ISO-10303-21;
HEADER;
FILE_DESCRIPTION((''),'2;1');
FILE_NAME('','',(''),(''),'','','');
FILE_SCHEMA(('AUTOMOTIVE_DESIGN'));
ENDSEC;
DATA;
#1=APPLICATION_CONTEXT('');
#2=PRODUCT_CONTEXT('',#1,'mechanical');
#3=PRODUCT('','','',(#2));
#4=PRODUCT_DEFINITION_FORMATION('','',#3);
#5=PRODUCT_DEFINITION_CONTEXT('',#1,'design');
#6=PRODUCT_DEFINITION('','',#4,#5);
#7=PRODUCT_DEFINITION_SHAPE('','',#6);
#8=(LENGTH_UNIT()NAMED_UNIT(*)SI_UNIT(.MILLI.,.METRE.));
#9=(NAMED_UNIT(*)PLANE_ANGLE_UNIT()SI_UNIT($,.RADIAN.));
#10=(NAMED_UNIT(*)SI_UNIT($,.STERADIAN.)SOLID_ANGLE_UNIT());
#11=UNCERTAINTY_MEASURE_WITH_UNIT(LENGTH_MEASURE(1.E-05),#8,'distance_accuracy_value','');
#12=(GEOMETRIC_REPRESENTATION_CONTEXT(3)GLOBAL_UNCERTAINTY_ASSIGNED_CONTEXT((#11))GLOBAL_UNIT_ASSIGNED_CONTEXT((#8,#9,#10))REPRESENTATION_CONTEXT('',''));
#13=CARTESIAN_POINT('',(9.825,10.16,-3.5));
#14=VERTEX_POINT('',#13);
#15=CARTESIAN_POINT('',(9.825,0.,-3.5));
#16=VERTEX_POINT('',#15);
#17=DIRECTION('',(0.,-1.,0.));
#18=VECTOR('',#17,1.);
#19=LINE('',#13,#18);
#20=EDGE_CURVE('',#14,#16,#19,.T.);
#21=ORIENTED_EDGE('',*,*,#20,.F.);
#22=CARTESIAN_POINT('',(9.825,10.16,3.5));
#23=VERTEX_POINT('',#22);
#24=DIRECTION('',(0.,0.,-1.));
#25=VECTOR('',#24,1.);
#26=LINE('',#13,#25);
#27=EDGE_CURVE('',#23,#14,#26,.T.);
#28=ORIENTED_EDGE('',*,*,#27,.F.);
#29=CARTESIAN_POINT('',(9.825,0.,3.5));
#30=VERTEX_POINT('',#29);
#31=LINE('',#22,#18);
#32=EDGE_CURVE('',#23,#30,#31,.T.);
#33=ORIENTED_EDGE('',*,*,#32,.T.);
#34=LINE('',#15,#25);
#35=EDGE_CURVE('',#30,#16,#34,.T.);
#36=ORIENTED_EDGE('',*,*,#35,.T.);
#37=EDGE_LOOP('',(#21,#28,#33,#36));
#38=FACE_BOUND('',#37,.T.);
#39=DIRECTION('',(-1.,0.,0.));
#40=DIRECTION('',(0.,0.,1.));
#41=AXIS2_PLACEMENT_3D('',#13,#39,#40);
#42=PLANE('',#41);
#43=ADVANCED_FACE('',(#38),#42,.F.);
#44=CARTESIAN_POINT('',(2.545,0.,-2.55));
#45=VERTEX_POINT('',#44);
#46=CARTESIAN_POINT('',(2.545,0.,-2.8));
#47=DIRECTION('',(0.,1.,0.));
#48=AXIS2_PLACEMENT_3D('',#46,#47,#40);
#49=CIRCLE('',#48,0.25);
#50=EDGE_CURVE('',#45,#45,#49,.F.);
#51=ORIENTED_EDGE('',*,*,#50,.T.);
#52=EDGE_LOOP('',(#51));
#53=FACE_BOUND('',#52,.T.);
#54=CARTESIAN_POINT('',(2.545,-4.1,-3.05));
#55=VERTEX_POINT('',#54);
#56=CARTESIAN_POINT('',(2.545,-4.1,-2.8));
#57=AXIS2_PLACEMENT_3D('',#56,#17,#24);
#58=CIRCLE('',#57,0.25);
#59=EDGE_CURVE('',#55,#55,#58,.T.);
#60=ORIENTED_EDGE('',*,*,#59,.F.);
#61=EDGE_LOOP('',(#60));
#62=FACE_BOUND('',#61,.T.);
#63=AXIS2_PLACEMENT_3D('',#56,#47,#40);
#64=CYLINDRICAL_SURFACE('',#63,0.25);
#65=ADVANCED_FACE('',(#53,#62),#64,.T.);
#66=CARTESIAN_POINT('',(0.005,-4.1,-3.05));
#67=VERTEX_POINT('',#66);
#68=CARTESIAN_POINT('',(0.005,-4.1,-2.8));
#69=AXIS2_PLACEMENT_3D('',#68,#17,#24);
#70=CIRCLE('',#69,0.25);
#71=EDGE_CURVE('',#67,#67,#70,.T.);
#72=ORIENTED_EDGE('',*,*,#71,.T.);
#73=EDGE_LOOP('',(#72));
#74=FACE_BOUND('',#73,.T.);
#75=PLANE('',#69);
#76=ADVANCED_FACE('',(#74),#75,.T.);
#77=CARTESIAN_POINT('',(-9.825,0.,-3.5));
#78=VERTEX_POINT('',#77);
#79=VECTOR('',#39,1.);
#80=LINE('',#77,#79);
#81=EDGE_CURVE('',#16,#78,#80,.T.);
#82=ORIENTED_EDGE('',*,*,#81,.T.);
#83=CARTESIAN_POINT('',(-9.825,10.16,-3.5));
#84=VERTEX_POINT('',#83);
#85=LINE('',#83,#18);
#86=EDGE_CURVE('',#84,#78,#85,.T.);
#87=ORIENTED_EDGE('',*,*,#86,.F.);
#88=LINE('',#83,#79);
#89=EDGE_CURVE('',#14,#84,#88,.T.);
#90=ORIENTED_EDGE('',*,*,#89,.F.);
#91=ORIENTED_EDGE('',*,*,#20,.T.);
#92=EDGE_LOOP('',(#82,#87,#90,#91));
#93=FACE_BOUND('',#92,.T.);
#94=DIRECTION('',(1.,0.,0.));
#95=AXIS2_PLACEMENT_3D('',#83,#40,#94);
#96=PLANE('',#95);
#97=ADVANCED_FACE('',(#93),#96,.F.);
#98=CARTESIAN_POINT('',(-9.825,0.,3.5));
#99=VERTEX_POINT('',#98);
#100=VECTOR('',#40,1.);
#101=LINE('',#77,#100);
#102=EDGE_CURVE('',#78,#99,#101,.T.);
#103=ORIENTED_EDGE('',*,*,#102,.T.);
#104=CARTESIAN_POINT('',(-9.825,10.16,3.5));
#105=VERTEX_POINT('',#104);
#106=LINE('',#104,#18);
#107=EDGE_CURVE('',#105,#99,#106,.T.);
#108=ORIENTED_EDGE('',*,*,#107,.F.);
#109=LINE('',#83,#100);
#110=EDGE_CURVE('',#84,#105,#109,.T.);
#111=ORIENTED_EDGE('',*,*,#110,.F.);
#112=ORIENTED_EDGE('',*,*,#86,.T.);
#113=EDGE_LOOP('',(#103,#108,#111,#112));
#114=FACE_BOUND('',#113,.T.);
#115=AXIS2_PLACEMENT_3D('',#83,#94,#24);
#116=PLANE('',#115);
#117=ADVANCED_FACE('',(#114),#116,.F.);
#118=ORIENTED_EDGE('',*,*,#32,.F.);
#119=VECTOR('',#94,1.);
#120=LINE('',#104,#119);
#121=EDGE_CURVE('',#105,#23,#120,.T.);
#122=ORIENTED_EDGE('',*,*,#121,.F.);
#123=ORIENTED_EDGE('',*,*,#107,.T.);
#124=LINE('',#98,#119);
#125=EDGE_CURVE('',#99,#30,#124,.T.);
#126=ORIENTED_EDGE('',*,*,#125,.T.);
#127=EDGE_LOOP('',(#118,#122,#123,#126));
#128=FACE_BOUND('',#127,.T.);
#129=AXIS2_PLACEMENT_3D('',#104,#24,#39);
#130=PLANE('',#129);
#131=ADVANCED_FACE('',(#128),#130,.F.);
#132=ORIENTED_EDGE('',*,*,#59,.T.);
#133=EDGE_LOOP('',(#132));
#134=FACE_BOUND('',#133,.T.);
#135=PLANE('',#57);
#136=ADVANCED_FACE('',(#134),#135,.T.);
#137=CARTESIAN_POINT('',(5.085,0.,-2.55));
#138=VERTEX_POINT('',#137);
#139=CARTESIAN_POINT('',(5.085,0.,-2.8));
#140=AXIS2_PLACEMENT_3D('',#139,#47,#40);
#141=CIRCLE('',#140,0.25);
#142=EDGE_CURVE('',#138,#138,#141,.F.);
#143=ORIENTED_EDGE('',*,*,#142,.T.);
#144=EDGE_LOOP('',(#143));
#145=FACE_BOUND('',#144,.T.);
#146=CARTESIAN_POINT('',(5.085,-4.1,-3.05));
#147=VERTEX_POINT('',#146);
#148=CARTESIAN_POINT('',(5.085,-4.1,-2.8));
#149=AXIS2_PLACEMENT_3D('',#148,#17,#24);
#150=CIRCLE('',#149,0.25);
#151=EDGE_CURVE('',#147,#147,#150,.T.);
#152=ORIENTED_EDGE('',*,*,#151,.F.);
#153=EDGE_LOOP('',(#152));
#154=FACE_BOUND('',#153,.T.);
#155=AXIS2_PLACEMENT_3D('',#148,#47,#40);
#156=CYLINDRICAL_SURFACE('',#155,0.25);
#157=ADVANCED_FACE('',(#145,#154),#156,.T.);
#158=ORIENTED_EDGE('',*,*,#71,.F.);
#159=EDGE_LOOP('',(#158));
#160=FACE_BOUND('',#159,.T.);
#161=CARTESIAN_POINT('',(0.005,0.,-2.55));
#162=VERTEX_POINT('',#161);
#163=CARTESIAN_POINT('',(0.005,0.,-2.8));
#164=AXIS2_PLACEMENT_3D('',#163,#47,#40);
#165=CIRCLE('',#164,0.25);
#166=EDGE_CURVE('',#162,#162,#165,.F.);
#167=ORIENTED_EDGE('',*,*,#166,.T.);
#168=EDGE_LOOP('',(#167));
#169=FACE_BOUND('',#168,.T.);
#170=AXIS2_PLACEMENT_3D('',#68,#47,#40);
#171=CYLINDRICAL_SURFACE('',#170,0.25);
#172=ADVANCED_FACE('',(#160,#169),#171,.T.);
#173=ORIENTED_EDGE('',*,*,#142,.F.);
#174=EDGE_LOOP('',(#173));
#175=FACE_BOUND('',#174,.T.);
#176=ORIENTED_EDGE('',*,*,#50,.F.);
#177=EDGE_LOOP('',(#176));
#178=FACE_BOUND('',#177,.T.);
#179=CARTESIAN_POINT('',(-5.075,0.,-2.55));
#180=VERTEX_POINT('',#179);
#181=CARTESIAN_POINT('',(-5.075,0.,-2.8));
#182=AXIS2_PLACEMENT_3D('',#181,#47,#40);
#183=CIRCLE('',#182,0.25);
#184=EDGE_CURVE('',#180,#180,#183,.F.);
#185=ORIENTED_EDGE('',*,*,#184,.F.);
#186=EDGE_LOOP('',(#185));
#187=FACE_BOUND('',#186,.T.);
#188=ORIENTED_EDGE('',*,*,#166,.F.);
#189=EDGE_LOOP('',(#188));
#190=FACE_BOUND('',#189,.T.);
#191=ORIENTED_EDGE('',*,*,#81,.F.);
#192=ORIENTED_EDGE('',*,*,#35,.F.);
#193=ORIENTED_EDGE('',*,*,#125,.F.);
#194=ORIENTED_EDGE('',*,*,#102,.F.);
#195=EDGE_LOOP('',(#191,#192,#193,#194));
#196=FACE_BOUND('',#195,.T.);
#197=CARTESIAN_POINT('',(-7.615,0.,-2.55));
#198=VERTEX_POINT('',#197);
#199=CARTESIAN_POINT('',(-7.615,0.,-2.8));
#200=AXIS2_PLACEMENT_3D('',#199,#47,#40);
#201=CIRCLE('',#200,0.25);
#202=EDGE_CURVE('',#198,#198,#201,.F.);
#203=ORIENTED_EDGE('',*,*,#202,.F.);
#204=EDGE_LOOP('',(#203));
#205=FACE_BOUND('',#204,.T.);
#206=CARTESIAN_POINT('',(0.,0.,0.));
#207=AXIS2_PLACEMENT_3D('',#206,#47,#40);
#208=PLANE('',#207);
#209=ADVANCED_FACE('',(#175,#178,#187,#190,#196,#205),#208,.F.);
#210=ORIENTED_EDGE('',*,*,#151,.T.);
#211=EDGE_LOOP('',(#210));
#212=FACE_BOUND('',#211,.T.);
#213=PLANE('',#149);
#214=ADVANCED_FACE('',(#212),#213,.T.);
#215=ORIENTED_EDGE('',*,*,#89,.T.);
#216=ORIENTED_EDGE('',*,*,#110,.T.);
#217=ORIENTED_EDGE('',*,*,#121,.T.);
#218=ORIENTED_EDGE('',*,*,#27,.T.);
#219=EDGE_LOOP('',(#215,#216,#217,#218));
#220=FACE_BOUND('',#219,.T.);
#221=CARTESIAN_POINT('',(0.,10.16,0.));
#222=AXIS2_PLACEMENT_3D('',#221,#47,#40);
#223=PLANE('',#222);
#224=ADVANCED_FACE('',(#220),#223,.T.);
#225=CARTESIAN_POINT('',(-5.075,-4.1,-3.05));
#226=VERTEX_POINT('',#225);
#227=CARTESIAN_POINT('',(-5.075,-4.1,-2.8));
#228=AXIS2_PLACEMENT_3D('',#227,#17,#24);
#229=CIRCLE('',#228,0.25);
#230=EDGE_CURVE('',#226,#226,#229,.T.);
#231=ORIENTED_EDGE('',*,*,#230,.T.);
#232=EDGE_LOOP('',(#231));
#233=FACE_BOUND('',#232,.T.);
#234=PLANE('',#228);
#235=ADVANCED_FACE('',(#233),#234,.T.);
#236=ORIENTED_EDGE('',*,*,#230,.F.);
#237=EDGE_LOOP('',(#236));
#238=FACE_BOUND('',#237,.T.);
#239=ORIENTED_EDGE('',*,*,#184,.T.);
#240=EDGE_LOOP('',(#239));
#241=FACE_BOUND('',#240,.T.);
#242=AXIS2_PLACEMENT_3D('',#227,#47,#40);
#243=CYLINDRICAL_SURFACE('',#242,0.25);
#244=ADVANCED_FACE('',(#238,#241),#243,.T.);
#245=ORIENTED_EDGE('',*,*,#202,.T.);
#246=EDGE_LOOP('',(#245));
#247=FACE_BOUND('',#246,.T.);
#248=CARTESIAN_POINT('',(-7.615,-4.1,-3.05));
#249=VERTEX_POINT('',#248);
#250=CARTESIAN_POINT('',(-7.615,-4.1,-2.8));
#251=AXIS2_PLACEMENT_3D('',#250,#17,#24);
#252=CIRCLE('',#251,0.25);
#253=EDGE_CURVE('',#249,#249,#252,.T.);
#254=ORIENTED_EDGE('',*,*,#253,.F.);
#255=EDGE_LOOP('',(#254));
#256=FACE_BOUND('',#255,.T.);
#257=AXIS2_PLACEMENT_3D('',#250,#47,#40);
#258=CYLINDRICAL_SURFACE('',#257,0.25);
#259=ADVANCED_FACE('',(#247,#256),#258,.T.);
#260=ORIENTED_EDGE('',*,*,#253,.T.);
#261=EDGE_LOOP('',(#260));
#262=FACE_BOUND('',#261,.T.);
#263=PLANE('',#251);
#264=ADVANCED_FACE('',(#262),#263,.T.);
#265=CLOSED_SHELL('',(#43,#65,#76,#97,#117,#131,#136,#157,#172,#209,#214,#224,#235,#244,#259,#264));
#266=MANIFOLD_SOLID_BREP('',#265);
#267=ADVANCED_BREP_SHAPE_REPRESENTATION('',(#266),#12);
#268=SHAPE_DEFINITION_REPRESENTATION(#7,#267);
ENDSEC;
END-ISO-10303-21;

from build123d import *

# Parameters (mm, degrees)
SKETCH1_W           = 19.65
SKETCH1_H           = 7
BOSS_EXTRUDE1_DEPTH = 10.16
SKETCH2_R           = 0.25
BOSS_EXTRUDE2_DEPTH = 4.1


with BuildPart() as part:
    # Sketch1 → Boss-Extrude1 (new body)
    with BuildSketch(Plane(origin=(0, 0, 0), x_dir=(1, 0, 0), z_dir=(0, 1, 0))):
        Rectangle(SKETCH1_W, SKETCH1_H)
    extrude(amount=BOSS_EXTRUDE1_DEPTH)

    # Sketch2 → Boss-Extrude2 (add)
    with BuildSketch(Plane.XZ):
        with Locations(Location((0.005, -2.8, 0), (0, 0, 90))):
            Circle(SKETCH2_R)
        with Locations(Location((2.545, -2.8, 0), (0, 0, 90))):
            Circle(SKETCH2_R)
        with Locations(Location((5.085, -2.8, 0), (0, 0, 90))):
            Circle(SKETCH2_R)
        with Locations(Location((-5.075, -2.8, 0), (0, 0, 90))):
            Circle(SKETCH2_R)
        with Locations(Location((-7.615, -2.8, 0), (0, 0, 90))):
            Circle(SKETCH2_R)
    extrude(amount=BOSS_EXTRUDE2_DEPTH)


solid = part.part
